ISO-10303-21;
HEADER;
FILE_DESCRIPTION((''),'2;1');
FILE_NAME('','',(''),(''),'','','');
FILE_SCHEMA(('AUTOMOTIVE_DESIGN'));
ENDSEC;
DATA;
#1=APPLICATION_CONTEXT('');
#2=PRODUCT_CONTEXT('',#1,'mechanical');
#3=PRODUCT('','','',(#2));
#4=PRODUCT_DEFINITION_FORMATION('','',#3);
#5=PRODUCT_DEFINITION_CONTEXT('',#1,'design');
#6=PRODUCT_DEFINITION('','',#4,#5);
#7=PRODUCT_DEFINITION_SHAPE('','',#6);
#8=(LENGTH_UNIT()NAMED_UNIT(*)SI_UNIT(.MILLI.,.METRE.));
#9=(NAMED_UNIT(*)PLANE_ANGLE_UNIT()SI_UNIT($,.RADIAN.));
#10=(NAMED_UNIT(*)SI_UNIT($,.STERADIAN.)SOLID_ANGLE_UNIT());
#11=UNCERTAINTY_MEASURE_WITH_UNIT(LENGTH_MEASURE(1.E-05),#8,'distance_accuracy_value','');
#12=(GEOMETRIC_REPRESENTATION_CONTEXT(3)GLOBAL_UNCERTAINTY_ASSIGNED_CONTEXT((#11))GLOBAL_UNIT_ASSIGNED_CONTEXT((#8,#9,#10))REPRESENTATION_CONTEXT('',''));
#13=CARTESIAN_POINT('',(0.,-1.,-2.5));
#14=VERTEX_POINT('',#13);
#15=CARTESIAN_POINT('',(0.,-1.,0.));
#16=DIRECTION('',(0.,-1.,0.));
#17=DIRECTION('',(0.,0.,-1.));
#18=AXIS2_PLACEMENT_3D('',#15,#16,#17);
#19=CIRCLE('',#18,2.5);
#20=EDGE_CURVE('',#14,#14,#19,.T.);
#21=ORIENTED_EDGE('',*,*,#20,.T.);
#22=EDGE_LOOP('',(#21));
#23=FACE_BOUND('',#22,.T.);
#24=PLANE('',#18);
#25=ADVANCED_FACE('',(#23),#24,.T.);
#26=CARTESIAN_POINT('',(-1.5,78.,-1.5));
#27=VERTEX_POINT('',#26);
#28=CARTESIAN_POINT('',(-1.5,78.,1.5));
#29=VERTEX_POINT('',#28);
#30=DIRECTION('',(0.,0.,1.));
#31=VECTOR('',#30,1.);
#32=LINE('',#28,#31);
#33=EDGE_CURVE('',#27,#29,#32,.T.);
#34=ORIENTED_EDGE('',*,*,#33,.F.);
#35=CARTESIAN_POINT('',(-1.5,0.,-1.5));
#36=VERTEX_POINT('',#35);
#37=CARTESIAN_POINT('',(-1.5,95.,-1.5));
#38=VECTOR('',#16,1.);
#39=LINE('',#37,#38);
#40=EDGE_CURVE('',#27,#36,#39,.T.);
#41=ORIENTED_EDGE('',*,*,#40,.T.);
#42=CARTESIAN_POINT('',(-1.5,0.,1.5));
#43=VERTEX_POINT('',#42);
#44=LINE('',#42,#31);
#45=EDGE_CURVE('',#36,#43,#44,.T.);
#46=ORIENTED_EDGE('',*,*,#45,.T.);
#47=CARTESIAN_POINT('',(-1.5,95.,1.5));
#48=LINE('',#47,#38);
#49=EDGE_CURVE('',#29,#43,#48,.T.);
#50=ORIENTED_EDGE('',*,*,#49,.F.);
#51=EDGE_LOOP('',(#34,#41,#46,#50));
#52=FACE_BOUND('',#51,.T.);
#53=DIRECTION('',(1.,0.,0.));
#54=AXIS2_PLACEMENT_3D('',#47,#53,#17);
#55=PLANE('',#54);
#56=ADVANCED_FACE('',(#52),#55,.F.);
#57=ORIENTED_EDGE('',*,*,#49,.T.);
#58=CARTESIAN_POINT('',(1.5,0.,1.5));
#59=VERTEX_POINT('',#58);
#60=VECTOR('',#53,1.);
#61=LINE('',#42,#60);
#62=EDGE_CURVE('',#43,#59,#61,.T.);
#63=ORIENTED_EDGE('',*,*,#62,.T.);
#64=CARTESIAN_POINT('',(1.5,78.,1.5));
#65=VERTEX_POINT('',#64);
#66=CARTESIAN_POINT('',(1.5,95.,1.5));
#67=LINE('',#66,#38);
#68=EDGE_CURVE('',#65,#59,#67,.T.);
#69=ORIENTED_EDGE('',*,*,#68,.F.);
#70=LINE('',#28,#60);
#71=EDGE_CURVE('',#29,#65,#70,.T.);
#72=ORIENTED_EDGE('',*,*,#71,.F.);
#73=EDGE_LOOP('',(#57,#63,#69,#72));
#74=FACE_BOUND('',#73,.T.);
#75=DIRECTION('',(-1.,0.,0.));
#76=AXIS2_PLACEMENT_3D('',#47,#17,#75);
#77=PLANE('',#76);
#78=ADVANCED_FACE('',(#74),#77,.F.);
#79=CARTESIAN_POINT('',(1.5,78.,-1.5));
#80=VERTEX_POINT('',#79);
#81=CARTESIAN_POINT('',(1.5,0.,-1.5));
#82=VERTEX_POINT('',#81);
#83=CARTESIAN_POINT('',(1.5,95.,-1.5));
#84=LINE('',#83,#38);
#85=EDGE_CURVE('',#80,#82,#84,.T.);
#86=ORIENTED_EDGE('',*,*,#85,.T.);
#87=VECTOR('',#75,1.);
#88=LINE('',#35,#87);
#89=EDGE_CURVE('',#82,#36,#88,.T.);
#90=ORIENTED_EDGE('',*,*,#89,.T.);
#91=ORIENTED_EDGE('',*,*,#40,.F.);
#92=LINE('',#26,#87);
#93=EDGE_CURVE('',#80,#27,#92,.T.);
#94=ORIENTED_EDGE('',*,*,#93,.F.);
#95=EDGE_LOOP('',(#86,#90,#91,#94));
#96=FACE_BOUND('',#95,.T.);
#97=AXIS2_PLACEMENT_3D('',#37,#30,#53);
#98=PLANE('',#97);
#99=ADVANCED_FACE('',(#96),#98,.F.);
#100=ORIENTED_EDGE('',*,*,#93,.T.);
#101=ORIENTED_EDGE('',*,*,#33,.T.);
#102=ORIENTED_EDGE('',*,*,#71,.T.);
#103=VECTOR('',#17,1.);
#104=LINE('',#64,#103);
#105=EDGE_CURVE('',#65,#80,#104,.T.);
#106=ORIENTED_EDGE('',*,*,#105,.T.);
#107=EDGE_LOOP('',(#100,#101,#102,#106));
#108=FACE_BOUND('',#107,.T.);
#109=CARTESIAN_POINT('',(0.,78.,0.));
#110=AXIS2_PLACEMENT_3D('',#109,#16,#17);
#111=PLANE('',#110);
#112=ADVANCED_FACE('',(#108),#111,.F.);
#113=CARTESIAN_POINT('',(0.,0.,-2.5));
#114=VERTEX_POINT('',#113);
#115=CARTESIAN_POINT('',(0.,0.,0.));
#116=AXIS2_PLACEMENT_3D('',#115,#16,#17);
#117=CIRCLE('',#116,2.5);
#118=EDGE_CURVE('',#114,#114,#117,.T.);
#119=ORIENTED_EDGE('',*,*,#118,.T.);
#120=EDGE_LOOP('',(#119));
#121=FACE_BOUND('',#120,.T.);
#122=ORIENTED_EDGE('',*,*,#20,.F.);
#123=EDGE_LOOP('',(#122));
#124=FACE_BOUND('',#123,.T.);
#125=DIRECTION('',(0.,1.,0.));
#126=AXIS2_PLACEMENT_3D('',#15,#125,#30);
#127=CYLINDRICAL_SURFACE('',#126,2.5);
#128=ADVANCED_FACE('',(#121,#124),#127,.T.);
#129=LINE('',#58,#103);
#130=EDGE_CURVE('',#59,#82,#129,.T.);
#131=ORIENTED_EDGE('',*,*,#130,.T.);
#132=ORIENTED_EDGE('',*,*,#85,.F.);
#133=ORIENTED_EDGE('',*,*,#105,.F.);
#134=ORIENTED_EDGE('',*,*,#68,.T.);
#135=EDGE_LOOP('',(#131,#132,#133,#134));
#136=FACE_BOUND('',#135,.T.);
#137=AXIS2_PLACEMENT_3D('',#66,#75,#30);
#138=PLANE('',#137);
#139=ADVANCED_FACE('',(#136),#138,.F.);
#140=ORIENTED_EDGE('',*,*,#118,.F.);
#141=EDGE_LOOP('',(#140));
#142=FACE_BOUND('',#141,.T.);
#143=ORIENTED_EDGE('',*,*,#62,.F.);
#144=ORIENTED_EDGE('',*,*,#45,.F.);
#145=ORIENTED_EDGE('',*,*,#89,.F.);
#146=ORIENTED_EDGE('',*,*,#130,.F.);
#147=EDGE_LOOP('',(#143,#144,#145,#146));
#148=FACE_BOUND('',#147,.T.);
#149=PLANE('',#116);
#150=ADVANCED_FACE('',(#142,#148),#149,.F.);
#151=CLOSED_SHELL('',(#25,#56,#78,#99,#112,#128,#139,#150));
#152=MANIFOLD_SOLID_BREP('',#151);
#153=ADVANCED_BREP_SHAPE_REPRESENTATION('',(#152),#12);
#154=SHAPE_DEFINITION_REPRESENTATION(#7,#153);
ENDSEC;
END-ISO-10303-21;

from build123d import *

# Parameters (mm, degrees)
ESQUISSE1_W             = 3
ESQUISSE1_H             = 3
BOSS_EXTRU_1_DEPTH      = 95
ESQUISSE2_R             = 2.5
BOSS_EXTRU_2_DEPTH      = 1
ESQUISSE3_W             = 3
ESQUISSE3_H             = 3
ENL_V_MAT_EXTRU_1_DEPTH = 17


with BuildPart() as part:
    # Esquisse1 → Boss.-Extru.1 (new body)
    with BuildSketch(Plane(origin=(0, 0, 0), x_dir=(1, 0, 0), z_dir=(0, 1, 0))):
        Rectangle(ESQUISSE1_W, ESQUISSE1_H)
    extrude(amount=BOSS_EXTRU_1_DEPTH)

    # Esquisse2 → Boss.-Extru.2 (add)
    with BuildSketch(Plane.XZ):
        with Locations(Location((0, 0, 0), (0, 0, 270))):
            Circle(ESQUISSE2_R)
    extrude(amount=BOSS_EXTRU_2_DEPTH)

    # Esquisse3 → Enlèv. mat.-Extru.1 (cut)
    with BuildSketch(Plane(origin=(0, 95, 0), x_dir=(1, 0, 0), z_dir=(0, 1, 0))):
        Rectangle(ESQUISSE3_W, ESQUISSE3_H)
    extrude(amount=-ENL_V_MAT_EXTRU_1_DEPTH, mode=Mode.SUBTRACT)


solid = part.part
